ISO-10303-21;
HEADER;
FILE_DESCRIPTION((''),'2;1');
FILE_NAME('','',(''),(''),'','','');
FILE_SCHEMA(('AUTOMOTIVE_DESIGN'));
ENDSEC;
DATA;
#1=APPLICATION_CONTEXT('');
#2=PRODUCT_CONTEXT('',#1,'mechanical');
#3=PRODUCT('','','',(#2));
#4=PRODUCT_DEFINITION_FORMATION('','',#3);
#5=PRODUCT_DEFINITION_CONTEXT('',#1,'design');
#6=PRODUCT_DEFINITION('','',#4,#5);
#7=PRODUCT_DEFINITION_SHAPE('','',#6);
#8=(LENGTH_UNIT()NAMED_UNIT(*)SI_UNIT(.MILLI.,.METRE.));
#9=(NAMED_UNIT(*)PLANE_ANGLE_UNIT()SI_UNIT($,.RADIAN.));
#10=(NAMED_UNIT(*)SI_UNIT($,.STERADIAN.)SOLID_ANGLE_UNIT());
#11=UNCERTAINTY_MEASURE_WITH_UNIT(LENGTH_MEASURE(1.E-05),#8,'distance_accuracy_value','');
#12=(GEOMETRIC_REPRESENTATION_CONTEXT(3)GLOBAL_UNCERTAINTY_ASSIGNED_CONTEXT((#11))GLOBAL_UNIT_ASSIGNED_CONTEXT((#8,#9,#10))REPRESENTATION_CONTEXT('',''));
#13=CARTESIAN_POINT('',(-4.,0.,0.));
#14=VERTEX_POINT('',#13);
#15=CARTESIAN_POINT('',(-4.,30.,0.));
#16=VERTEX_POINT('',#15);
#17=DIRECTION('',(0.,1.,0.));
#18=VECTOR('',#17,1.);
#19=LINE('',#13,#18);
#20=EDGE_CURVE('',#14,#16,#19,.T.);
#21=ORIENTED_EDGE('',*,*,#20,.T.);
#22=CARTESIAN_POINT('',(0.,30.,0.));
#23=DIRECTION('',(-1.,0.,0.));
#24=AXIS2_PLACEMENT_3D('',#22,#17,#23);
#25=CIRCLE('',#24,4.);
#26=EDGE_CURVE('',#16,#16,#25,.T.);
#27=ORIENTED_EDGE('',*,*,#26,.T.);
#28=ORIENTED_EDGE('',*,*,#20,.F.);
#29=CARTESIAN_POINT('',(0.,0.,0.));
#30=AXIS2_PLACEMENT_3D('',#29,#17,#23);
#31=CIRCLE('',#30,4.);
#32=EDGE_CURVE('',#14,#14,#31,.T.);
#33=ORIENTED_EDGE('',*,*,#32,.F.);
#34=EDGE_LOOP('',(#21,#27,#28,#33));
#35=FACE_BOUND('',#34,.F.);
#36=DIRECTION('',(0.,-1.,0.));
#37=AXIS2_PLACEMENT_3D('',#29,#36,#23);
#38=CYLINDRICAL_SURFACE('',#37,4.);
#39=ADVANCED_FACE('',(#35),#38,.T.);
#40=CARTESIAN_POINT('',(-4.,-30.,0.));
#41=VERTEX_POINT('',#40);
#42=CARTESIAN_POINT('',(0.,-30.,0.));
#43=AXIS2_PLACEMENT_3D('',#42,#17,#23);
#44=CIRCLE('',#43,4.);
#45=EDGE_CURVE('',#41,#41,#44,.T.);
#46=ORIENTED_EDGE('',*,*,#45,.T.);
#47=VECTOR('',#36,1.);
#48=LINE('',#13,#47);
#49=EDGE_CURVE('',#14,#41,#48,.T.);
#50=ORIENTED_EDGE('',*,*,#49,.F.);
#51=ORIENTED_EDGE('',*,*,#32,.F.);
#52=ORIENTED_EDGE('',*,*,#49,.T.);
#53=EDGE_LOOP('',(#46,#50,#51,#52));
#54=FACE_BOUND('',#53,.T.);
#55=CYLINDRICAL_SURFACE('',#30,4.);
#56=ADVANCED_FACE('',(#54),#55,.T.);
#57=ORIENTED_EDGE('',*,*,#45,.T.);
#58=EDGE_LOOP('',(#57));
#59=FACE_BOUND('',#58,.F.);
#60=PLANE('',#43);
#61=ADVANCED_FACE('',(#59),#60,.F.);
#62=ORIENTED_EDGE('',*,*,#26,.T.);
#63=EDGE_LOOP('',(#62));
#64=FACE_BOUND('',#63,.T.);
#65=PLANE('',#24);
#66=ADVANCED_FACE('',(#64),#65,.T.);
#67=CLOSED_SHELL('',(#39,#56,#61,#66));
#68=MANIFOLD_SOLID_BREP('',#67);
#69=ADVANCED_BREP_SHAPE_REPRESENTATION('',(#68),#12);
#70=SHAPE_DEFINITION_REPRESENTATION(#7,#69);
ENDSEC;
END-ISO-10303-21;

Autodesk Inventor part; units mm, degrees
ref_plane "YZ Plane" through (0, 0, 0) normal (1, 0, 0) x (0, 1, 0)
ref_plane "XZ Plane" through (0, 0, 0) normal (0, 1, 0) x (-1, 0, 0)
ref_plane "XY Plane" through (0, 0, 0) normal (0, 0, 1) x (1, 0, 0)
sketch "Sketch1" plane through (0, 0, 0) normal (0, 1, 0) x (-1, 0, 0)
  circle A0 centre (0, 0) radius 4
  dimension "d0" = 8
extrude "Extrusion1" add sketch "Sketch1" along normal mid plane 60
properties part number "Eje" material "ABS Plastic"
